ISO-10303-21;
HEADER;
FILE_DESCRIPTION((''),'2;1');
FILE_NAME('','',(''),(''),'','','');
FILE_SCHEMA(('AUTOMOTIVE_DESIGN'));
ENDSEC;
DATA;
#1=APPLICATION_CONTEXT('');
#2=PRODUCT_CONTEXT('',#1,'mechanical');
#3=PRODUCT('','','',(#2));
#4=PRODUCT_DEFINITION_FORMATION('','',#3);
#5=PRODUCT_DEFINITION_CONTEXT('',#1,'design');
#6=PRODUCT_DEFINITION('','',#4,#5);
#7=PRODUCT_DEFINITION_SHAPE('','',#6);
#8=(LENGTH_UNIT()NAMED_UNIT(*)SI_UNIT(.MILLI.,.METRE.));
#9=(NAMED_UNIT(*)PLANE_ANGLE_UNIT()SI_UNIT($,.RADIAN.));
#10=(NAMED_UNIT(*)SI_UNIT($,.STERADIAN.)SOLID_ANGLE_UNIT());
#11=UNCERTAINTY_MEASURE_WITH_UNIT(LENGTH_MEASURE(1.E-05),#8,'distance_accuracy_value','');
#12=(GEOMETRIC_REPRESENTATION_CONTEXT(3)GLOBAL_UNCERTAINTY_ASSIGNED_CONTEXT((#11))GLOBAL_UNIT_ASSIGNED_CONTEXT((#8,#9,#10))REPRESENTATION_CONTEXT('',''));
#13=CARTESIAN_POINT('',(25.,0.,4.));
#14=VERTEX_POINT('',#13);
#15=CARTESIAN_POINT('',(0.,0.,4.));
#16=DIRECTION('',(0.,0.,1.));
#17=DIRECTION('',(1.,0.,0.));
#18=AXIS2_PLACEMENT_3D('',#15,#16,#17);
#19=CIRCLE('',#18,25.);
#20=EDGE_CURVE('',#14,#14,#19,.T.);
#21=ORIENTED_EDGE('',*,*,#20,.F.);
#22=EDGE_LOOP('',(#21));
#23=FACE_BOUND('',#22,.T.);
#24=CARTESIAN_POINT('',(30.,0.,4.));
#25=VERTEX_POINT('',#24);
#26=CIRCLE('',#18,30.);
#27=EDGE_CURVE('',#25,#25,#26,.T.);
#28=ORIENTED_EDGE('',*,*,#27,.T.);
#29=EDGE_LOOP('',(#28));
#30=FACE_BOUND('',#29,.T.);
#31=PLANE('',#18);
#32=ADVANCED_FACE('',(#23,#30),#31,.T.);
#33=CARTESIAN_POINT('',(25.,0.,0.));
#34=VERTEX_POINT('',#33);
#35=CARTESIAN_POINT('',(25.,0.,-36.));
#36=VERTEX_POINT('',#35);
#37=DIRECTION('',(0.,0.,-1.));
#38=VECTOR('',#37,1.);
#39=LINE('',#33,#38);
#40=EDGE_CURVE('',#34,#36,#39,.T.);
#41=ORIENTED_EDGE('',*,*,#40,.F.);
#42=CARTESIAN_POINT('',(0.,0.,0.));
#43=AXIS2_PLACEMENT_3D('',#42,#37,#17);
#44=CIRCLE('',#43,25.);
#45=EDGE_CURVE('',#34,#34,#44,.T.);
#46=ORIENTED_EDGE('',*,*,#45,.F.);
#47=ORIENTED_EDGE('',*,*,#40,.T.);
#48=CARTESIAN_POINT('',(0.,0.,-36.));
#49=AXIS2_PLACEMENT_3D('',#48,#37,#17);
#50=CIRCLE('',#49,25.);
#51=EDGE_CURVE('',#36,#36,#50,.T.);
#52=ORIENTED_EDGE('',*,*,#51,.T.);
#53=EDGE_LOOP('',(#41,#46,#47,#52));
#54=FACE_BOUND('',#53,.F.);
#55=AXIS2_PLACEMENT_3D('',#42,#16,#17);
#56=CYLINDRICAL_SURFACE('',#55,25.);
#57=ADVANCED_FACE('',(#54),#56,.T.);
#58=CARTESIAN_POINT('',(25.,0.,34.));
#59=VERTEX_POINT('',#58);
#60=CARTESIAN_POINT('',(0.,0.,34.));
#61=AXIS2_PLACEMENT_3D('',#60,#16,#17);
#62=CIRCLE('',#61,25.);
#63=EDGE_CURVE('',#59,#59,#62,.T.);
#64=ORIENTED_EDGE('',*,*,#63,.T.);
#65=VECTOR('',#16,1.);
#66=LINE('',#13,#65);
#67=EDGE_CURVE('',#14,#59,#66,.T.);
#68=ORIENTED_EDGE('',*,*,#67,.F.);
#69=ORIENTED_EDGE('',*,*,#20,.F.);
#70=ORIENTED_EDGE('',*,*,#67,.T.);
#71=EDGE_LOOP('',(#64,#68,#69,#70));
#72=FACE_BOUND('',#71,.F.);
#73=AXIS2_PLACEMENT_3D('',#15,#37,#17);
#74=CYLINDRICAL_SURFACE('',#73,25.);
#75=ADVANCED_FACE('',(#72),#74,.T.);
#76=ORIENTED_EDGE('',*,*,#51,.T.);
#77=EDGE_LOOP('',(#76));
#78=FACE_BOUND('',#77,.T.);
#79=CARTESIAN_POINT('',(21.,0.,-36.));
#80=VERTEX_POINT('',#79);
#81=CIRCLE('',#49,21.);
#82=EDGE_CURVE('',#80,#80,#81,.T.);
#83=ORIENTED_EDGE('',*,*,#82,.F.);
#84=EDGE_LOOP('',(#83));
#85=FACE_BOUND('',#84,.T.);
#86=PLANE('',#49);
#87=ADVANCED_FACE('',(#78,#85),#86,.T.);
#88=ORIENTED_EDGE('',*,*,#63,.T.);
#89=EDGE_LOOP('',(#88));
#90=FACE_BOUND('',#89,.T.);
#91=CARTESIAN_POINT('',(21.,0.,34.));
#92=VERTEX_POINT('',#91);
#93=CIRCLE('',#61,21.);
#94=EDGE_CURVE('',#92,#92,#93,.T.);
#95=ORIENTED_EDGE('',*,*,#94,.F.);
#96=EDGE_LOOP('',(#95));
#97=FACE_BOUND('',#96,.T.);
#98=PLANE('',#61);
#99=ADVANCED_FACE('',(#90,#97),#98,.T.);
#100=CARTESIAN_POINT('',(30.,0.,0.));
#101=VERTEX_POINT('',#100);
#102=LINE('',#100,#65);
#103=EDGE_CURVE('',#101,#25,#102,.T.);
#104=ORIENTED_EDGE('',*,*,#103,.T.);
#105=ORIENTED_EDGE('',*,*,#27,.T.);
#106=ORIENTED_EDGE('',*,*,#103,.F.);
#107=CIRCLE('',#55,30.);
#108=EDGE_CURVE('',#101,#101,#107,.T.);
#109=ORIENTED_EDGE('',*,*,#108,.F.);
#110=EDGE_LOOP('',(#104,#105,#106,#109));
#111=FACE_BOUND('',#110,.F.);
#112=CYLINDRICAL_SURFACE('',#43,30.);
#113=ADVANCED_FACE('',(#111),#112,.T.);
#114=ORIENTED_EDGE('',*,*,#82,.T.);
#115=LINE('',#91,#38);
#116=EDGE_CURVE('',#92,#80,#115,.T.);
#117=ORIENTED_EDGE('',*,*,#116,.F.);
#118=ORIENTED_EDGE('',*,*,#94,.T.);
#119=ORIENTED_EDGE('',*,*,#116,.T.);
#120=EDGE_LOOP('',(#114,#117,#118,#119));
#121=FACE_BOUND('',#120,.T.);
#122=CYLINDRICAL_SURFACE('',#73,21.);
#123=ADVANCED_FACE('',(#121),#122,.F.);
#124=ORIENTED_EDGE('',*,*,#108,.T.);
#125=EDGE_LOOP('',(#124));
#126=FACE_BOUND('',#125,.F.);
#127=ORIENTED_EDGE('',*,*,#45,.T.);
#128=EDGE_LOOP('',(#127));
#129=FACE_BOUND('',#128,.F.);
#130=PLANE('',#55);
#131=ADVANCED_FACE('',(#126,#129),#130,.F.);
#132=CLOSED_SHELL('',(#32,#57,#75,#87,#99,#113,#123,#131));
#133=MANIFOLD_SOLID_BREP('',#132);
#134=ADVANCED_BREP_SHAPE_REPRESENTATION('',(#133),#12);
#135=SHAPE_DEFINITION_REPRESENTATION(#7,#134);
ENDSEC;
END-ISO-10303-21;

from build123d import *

# Parameters (mm, degrees)
SKETCH_R      = 30
SKETCH_R_2    = 21
PAD_DEPTH     = 4
SKETCH001_R   = 25
SKETCH001_R_2 = 21
PAD001_DEPTH  = 36
SKETCH002_R   = 25
SKETCH002_R_2 = 21
PAD002_DEPTH  = 30


with BuildPart() as part:
    # Sketch → Pad (new body)
    with BuildSketch(Plane.XY):
        Circle(SKETCH_R)
        Circle(SKETCH_R_2, mode=Mode.SUBTRACT)
    extrude(amount=PAD_DEPTH)

    # Sketch001 (on Face3 of Pad) → Pad001 (join)
    with BuildSketch(Plane(origin=(0, 0, 0), x_dir=(1, 0, 0), z_dir=(0, 0, -1))):
        Circle(SKETCH001_R)
        Circle(SKETCH001_R_2, mode=Mode.SUBTRACT)
    extrude(amount=PAD001_DEPTH)

    # Sketch002 (on Face3 of Pad001) → Pad002 (join)
    with BuildSketch(Plane.XY.offset(4)):
        Circle(SKETCH002_R)
        Circle(SKETCH002_R_2, mode=Mode.SUBTRACT)
    extrude(amount=PAD002_DEPTH)


solid = part.part
